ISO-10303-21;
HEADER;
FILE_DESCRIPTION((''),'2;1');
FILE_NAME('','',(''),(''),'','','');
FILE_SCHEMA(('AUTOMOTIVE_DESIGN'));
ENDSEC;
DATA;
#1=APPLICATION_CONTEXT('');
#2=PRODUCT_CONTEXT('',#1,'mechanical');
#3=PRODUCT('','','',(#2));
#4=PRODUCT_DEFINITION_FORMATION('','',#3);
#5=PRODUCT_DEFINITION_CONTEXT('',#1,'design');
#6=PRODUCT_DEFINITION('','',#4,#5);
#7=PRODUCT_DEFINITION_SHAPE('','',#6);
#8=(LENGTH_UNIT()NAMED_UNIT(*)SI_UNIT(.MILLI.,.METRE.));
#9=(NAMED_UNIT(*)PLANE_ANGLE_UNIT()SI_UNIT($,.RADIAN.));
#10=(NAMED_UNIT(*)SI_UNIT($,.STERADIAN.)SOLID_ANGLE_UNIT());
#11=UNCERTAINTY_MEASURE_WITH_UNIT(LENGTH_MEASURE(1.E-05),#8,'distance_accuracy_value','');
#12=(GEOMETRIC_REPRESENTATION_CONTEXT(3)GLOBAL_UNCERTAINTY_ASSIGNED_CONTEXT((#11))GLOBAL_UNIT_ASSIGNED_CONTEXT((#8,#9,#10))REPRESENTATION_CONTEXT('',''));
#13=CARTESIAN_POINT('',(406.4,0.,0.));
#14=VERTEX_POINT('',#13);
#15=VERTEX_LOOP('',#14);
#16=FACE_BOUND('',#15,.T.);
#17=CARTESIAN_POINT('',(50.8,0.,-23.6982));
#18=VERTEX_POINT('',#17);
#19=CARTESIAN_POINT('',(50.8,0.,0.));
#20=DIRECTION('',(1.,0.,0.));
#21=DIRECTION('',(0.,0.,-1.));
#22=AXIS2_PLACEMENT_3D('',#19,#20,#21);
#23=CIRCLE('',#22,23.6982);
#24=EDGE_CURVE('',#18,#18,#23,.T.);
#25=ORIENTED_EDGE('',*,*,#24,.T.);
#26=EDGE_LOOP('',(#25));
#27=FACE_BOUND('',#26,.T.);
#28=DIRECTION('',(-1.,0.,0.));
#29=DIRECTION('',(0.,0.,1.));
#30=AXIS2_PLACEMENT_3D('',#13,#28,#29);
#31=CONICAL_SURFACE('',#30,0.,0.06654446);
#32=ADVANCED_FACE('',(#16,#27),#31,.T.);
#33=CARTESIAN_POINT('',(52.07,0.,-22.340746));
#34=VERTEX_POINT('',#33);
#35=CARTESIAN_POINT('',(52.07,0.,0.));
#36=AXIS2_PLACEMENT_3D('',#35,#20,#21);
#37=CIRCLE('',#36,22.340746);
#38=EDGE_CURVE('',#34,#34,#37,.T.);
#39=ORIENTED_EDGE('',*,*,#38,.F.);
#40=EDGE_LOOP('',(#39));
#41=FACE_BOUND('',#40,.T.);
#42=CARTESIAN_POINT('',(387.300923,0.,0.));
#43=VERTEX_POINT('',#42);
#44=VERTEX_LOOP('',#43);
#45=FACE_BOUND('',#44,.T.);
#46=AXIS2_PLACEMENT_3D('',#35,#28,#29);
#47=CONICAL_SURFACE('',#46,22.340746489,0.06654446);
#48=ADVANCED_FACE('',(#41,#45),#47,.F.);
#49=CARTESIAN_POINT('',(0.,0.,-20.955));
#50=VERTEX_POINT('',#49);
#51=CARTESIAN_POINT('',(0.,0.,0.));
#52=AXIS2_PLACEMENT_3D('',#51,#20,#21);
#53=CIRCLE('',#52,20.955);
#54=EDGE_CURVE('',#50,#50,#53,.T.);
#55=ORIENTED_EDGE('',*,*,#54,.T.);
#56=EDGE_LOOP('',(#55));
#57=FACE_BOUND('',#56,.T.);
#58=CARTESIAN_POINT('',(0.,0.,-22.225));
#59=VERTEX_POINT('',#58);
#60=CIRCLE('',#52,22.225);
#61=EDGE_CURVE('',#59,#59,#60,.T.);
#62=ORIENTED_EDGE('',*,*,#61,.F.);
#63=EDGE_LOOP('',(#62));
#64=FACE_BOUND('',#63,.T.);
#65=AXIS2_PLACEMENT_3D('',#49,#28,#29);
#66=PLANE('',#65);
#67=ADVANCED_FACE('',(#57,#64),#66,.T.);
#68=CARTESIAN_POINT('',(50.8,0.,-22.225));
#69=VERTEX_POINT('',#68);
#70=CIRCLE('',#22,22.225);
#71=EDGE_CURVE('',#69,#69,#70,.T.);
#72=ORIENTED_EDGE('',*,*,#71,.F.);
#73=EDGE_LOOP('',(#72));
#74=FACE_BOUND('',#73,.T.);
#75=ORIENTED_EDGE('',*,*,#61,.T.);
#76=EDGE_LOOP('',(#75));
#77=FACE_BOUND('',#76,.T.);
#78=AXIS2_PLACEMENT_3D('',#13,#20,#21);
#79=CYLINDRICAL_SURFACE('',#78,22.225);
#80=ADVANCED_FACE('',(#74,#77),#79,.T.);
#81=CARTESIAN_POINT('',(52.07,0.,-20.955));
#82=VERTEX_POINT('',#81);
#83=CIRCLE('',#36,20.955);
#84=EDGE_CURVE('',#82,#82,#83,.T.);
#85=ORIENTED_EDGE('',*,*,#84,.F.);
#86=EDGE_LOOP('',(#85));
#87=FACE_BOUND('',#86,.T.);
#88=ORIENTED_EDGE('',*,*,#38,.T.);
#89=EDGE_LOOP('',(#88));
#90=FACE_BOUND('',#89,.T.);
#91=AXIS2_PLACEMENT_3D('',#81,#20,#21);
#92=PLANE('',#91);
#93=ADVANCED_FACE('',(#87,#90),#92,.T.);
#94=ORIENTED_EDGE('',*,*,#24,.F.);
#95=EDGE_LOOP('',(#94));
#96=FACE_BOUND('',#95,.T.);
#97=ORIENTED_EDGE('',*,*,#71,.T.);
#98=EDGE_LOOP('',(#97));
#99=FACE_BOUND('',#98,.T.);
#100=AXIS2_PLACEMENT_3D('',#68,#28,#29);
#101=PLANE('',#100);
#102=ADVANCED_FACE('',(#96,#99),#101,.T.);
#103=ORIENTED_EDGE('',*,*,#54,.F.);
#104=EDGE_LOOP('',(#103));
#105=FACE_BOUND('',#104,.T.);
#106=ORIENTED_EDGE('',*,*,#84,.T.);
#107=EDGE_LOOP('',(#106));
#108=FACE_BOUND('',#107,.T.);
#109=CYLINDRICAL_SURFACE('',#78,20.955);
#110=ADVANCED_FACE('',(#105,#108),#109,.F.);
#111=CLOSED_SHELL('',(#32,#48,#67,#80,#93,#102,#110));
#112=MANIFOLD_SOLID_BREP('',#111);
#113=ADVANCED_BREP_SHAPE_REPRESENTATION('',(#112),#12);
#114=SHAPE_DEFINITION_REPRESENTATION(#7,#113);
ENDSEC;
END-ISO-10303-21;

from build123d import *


with BuildPart() as part:
    # Sketch1 → Revolve3 (revolve)
    with BuildSketch(Plane(origin=(0, 0, 0), x_dir=(1, 0, 0), z_dir=(0, 1, 0))):
        Polygon((0, 22.225), (50.8, 22.225), (50.8, 23.6982), (406.4, 0), (387.300922666, 0), (52.07, 22.340746489), (52.07, 20.955), (0, 20.955), align=None)
    revolve(axis=Axis((406.4, 0, 0), (-1, 0, 0)))


solid = part.part
